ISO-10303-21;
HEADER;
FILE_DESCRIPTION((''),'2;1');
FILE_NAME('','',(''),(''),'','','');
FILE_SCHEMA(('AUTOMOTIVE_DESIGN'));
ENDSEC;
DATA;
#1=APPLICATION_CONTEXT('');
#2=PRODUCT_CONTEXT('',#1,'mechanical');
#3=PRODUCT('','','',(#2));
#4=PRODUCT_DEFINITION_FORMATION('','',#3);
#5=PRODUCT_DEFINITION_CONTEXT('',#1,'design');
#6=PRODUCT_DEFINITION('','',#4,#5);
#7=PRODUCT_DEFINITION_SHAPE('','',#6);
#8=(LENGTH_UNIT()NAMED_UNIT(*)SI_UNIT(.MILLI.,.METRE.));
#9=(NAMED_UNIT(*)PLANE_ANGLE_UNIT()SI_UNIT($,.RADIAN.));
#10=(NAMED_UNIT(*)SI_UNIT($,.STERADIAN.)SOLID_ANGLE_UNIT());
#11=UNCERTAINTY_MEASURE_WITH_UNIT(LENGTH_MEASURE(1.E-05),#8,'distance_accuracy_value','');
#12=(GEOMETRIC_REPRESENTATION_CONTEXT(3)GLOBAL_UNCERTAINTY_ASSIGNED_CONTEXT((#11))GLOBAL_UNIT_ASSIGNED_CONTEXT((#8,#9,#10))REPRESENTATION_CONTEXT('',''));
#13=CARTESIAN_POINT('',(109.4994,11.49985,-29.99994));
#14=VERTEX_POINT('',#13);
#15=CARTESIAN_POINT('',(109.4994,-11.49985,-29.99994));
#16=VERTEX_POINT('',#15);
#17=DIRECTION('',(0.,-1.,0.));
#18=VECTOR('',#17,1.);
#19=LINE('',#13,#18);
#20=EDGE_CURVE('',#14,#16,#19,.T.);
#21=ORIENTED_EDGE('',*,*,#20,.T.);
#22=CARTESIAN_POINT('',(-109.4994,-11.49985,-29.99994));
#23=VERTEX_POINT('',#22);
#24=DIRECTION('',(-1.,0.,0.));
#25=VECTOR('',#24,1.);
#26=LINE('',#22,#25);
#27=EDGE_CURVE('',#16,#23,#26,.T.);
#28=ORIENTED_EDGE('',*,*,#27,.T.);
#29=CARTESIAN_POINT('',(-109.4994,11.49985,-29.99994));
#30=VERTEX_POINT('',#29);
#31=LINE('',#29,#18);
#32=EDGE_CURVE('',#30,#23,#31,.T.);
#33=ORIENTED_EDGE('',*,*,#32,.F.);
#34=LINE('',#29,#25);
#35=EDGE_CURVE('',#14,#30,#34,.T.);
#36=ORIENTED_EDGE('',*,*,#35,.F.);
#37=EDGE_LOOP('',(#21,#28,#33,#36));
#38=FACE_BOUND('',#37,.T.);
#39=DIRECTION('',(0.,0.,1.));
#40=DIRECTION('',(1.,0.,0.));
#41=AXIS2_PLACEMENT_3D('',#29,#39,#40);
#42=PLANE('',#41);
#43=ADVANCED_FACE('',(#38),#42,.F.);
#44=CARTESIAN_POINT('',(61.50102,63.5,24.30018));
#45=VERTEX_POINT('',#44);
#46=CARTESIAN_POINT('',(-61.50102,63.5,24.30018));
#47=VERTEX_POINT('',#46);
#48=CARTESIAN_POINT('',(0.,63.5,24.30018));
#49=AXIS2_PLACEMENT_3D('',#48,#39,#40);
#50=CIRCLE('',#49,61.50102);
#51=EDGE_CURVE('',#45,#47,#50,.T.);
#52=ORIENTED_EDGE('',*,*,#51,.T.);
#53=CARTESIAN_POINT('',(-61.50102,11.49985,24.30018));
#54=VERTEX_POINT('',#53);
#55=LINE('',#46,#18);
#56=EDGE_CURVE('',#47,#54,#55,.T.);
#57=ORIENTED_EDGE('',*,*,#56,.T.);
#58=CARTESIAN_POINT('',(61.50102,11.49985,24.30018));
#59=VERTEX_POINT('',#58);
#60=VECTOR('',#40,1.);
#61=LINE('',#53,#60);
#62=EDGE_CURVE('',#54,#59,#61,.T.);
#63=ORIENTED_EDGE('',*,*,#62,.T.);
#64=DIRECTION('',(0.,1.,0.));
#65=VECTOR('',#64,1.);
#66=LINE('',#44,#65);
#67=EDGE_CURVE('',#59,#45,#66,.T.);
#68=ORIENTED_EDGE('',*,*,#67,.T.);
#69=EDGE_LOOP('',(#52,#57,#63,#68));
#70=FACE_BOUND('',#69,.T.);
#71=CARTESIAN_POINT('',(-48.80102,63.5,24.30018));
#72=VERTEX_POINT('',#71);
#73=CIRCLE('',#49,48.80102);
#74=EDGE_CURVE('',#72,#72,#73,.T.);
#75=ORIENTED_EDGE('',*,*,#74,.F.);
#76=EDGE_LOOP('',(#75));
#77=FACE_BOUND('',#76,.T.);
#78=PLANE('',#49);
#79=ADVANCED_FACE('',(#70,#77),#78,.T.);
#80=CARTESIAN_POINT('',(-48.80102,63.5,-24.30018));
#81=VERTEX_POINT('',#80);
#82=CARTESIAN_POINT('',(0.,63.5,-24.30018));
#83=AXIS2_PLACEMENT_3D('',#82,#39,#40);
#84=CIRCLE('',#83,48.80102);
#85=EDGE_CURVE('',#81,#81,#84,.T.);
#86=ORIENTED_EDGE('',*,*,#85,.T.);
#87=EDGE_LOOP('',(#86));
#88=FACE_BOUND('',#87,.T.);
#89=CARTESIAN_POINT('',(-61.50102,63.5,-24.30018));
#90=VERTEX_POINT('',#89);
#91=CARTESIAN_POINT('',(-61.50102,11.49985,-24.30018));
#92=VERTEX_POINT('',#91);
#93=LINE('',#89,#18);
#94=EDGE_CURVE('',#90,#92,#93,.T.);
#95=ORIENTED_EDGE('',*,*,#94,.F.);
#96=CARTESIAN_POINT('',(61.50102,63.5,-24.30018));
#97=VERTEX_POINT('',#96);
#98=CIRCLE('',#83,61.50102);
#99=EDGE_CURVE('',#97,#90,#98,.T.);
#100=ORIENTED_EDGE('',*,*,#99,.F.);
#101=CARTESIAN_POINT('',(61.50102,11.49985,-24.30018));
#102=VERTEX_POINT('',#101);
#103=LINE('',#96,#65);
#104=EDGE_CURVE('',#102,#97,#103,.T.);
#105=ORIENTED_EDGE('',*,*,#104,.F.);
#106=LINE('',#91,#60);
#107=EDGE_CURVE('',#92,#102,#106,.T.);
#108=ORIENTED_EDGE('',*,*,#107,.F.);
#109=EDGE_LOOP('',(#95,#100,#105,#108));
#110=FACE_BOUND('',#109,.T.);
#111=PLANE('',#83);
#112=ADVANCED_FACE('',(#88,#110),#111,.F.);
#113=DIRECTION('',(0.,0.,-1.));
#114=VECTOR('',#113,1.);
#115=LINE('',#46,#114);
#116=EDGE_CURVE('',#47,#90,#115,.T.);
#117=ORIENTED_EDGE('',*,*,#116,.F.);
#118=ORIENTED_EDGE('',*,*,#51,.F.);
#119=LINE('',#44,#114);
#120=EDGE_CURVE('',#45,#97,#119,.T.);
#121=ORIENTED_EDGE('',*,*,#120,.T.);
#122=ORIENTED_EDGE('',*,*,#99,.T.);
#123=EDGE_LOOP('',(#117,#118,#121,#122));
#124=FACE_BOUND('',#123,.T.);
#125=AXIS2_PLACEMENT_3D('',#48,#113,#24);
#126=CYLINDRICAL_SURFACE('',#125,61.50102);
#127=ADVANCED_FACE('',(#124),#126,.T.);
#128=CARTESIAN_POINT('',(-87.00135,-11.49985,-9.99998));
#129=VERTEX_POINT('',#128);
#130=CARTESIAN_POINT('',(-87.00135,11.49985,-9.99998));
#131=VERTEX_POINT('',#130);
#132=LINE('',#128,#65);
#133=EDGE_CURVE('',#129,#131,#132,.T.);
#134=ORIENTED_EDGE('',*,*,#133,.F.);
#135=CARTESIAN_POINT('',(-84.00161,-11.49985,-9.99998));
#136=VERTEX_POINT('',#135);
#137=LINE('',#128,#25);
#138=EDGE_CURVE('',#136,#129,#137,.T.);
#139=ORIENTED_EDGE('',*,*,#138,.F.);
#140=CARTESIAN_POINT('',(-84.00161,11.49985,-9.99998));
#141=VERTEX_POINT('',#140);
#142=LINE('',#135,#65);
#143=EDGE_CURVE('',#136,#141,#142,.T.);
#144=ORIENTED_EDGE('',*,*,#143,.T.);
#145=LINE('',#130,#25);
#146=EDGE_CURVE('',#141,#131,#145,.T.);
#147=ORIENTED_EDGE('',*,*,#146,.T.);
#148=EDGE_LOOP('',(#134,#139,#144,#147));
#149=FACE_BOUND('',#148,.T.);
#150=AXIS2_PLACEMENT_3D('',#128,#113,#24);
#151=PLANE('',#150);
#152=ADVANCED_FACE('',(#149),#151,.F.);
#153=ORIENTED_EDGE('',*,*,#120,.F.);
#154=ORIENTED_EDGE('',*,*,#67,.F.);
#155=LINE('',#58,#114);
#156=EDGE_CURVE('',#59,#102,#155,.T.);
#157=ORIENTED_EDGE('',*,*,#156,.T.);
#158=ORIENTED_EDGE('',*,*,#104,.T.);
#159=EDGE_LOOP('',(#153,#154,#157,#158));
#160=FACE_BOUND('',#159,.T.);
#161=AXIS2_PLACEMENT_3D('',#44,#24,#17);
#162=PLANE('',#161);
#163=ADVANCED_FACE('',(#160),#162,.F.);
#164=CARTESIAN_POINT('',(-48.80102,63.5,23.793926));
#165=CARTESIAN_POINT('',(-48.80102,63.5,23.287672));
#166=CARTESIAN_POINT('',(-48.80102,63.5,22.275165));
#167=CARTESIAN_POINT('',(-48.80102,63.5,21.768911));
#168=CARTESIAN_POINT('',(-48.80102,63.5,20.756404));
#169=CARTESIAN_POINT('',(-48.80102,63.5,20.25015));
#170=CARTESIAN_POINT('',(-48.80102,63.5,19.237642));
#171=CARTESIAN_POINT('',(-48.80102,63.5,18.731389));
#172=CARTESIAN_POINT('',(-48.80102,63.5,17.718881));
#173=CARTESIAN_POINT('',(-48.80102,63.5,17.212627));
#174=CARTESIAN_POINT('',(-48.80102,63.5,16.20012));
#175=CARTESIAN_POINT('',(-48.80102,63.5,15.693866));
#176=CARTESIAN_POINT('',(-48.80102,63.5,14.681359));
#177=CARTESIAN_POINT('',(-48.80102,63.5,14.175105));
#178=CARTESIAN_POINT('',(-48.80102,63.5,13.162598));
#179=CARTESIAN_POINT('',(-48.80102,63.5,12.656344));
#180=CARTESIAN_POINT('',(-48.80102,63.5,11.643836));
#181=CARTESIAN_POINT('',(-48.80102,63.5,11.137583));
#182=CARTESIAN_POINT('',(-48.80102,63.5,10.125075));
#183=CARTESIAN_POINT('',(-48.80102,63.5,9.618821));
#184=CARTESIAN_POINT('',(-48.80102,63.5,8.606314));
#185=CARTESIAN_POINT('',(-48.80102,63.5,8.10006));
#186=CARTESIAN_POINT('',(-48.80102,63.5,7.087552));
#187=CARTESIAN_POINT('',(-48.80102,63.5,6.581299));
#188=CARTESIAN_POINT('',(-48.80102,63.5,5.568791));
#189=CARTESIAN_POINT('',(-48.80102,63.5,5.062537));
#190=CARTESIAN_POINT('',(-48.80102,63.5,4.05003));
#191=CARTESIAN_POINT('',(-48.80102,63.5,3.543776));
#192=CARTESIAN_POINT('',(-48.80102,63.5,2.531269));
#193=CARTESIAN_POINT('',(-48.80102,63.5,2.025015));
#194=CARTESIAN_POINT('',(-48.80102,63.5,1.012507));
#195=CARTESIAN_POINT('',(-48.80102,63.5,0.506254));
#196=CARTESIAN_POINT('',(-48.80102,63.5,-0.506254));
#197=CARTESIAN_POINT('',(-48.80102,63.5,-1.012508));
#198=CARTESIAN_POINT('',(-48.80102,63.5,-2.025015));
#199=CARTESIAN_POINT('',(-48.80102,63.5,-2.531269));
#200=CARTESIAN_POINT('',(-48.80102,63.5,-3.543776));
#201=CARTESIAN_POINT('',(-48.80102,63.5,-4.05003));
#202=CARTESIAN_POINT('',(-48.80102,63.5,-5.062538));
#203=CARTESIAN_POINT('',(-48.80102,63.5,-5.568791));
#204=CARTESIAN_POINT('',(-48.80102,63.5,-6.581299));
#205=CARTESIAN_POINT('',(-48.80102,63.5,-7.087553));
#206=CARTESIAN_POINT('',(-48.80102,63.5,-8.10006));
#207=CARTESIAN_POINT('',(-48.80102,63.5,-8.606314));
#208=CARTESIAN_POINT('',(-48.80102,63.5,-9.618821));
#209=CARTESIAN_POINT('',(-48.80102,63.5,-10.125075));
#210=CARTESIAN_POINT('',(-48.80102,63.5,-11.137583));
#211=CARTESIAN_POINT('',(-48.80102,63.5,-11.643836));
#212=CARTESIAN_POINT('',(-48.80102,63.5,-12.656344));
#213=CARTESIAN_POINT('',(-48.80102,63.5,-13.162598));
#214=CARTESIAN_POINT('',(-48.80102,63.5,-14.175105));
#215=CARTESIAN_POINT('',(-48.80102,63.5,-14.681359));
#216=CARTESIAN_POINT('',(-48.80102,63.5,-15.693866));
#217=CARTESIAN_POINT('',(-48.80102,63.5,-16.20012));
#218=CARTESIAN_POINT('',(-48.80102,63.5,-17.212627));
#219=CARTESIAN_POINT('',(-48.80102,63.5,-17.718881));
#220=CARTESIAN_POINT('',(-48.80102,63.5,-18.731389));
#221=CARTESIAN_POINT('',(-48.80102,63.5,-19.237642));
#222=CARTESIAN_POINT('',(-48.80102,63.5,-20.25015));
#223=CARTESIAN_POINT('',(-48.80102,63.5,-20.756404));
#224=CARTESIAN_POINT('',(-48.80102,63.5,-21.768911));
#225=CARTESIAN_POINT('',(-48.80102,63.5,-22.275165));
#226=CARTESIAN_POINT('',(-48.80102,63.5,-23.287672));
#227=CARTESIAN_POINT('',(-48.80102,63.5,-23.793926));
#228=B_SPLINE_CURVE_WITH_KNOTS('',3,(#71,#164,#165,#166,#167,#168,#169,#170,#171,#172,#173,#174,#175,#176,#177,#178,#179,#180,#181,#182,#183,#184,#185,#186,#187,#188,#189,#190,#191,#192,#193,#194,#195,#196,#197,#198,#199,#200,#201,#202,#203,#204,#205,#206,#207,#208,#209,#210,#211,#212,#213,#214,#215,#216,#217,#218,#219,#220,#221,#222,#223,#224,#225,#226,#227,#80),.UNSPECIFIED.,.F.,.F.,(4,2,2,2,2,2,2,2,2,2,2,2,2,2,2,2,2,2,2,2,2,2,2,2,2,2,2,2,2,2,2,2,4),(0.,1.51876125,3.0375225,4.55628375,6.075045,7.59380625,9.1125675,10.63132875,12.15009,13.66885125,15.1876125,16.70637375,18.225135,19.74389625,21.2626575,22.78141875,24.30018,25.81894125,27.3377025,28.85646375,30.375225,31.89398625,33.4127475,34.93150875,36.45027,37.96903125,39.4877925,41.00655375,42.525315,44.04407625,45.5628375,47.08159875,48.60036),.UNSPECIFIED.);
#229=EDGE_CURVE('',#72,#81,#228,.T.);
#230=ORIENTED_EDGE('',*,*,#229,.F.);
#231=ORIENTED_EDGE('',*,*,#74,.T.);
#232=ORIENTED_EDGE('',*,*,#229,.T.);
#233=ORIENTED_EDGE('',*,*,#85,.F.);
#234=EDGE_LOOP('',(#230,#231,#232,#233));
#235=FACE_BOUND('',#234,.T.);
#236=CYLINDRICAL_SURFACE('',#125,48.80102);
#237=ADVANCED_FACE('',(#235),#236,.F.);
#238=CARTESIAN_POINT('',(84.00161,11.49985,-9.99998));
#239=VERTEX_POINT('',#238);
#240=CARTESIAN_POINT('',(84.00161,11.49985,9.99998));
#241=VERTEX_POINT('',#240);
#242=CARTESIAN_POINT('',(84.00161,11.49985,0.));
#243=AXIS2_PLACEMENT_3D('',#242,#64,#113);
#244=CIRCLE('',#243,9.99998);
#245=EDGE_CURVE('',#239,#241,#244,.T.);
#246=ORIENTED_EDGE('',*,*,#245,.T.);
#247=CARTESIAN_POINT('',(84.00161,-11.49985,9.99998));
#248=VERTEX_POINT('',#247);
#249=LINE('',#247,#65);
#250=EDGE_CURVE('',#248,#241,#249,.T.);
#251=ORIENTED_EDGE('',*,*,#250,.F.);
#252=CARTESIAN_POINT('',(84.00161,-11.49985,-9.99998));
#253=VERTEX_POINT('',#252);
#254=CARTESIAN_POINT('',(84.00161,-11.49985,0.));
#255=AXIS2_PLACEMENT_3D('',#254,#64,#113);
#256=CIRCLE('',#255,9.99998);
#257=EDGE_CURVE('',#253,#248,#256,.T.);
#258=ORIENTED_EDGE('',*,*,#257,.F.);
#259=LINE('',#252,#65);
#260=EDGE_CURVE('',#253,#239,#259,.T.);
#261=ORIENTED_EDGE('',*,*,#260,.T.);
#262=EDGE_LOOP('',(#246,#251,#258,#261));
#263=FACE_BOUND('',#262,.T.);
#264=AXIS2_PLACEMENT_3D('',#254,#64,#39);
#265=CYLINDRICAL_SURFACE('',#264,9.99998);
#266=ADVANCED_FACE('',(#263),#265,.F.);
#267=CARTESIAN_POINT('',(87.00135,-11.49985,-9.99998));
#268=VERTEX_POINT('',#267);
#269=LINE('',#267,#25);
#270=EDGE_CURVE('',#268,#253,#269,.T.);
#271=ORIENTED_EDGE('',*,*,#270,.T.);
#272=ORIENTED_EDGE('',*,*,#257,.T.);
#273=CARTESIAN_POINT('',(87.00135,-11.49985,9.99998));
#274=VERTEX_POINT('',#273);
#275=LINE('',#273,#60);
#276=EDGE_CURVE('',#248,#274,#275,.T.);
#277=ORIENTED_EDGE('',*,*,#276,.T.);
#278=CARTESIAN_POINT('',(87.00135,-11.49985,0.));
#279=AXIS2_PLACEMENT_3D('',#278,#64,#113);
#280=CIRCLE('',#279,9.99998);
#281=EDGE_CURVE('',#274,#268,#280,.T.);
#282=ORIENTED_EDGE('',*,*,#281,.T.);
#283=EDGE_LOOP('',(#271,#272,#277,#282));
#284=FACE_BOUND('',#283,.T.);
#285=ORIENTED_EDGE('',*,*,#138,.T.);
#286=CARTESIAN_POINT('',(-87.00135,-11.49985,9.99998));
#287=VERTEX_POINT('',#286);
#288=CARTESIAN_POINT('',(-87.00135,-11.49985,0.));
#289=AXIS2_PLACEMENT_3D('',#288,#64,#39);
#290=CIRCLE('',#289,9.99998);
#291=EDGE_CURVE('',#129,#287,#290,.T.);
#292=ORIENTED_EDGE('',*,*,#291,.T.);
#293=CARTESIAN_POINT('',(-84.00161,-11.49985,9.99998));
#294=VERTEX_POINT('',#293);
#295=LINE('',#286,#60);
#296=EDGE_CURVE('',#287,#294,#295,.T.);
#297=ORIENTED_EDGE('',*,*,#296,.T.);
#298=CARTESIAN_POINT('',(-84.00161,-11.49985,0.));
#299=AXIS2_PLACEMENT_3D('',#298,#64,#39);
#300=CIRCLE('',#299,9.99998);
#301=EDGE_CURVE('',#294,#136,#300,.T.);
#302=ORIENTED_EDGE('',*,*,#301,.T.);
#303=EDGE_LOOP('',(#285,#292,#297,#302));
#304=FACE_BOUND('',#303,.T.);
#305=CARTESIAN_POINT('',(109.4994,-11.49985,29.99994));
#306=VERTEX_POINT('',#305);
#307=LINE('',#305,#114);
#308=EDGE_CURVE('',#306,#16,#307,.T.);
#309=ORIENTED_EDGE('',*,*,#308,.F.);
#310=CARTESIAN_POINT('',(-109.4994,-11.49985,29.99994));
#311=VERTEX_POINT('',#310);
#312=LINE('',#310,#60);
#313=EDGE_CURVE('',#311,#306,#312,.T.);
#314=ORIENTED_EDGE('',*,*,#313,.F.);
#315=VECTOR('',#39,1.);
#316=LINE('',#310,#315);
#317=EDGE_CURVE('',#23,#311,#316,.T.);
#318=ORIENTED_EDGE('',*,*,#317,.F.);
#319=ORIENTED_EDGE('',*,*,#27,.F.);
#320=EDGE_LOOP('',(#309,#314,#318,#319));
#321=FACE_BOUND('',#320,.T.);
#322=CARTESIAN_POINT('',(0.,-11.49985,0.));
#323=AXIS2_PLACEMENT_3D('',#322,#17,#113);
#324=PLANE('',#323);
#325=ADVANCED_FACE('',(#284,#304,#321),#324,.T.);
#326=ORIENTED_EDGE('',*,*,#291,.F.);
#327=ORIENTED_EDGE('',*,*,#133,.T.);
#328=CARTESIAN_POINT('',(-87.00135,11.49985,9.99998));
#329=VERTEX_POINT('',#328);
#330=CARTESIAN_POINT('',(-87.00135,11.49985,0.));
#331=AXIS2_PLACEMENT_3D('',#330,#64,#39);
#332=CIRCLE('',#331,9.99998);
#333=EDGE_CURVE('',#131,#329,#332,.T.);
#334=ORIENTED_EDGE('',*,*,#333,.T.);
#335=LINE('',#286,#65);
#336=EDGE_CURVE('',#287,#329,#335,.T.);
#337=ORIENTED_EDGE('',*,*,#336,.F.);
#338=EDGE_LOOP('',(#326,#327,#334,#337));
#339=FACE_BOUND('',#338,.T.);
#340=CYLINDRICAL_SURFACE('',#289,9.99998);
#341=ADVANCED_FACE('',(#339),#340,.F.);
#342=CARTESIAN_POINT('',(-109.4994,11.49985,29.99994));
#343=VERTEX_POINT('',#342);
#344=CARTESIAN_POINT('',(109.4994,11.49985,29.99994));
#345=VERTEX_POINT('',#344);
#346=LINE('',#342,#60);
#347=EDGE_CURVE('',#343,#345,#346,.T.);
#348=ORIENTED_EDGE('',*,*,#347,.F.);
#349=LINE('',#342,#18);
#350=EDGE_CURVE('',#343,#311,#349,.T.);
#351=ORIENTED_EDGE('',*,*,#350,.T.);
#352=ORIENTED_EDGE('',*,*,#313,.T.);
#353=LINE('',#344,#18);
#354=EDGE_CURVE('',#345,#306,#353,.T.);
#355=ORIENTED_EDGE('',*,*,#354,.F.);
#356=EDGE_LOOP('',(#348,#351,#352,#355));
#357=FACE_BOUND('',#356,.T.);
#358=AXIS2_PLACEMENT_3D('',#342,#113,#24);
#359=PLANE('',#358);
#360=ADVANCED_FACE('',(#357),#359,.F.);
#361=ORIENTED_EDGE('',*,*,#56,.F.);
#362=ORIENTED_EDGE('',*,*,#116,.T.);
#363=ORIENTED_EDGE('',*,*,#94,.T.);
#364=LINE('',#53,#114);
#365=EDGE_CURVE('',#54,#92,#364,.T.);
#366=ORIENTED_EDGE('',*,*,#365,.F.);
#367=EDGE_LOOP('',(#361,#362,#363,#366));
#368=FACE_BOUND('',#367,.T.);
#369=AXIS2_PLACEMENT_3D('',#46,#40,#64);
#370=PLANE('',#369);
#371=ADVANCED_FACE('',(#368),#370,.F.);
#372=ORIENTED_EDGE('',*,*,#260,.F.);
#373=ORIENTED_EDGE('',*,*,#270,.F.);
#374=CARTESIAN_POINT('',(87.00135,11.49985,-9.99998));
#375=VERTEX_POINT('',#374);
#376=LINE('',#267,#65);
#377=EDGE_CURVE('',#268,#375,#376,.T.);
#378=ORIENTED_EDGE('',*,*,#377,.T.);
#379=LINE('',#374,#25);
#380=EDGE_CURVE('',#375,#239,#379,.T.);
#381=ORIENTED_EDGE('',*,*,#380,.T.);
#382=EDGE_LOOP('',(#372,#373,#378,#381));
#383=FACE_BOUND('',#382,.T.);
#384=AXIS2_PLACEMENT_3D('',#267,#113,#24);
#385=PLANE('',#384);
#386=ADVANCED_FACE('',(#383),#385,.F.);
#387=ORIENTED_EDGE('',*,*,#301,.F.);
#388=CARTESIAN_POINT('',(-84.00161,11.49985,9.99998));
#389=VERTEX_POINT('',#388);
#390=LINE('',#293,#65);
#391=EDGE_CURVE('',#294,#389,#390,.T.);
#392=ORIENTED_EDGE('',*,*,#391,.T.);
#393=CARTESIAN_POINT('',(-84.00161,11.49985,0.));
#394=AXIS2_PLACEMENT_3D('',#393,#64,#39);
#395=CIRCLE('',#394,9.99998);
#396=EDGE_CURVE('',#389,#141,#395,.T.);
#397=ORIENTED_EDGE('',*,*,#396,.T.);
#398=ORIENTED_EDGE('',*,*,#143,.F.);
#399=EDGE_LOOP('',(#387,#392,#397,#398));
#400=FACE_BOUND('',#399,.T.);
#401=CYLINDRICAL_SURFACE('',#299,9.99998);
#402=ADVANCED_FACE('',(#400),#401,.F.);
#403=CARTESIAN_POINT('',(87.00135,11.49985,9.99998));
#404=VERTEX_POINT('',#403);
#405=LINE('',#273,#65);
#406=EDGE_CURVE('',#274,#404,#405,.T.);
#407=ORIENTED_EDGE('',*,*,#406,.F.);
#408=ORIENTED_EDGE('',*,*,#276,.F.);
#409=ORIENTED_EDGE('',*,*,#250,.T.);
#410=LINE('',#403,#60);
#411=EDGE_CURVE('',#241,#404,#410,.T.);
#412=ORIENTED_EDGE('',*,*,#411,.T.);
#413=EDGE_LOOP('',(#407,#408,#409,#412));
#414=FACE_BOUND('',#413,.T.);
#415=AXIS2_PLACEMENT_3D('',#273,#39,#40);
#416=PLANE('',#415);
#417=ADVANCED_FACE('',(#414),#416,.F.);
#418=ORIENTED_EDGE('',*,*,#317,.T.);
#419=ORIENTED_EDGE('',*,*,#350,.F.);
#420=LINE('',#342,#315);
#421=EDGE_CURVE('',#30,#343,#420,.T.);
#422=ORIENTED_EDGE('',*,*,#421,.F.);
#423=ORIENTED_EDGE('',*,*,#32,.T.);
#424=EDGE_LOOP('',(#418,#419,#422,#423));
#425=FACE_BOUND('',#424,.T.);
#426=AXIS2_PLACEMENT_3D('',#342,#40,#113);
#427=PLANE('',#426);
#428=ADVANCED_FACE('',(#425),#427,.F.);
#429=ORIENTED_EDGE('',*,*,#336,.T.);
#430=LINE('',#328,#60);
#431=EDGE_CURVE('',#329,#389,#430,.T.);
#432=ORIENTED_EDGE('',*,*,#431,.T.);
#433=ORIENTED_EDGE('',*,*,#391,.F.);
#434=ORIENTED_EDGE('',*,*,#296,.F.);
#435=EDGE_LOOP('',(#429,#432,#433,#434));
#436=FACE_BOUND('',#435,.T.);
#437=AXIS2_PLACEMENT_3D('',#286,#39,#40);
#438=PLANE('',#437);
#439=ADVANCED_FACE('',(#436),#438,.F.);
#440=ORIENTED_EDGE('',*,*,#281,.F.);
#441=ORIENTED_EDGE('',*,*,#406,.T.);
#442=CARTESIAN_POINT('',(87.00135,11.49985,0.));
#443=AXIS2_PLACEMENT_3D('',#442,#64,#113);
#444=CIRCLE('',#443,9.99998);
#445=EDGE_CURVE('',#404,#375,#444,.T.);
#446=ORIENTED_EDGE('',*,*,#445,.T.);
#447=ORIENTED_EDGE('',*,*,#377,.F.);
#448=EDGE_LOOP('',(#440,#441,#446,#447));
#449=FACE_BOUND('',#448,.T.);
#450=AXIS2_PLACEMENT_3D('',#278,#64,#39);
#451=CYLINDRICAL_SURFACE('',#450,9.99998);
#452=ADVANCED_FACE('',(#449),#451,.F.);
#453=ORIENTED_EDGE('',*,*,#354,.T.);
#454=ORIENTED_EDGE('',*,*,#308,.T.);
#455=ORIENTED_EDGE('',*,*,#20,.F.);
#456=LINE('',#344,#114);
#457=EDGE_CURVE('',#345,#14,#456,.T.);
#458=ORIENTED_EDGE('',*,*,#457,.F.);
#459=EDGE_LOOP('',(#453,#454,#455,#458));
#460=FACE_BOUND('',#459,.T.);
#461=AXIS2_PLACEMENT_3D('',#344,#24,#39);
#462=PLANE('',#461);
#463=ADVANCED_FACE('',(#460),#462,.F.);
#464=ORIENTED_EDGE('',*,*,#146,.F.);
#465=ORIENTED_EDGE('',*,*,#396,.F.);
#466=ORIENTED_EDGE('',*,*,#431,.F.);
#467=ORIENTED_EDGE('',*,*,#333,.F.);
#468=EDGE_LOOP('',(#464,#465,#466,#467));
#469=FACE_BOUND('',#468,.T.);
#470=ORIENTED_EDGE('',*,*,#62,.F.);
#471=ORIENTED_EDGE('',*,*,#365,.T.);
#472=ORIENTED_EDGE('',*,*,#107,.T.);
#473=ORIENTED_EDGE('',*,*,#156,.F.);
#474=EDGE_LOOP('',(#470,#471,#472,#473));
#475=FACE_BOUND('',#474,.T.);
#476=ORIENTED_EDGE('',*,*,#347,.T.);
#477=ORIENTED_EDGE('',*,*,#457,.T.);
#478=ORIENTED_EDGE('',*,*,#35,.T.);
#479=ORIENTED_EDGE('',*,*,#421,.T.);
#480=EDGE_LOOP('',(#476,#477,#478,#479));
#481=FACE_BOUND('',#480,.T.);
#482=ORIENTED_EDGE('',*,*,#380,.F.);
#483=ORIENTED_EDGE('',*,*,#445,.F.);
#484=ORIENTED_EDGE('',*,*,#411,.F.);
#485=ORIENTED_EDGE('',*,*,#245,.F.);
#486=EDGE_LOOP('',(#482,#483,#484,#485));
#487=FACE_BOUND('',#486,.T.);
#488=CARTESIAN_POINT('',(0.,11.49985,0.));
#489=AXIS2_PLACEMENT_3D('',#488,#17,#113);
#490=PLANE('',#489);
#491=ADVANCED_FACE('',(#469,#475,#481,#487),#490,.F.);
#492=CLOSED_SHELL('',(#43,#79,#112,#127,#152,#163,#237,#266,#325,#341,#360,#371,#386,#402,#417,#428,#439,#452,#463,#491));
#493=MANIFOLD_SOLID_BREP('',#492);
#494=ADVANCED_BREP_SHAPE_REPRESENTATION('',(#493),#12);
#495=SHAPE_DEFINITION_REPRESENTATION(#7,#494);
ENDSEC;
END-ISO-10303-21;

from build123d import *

# Parameters (mm, degrees)
SKETCH1_W           = 218.9988
SKETCH1_H           = 59.99988
BOSS_EXTRUDE1_DEPTH = 11.49985
CUT_EXTRUDE1_DEPTH  = 22.9997
SKETCH3_R           = 48.80102
BOSS_EXTRUDE2_DEPTH = 24.30018


with BuildPart() as part:
    # Sketch1 → Boss-Extrude1 (new, symmetric)
    with BuildSketch(Plane(origin=(0, 0, 0), x_dir=(1, 0, 0), z_dir=(0, 1, 0))):
        Rectangle(SKETCH1_W, SKETCH1_H)
    extrude(amount=BOSS_EXTRUDE1_DEPTH, both=True)

    # Sketch2 → Cut-Extrude1 (cut)
    with BuildSketch(Plane(origin=(0, 11.49985, 0), x_dir=(1, 0, 0), z_dir=(0, 1, 0))):
        with BuildLine():
            Line((-87.00135, 9.99998), (-84.00161, 9.99998))
            ThreePointArc((-84.00161, 9.99998), (-74.00163, 0), (-84.00161, -9.99998))
            Line((-84.00161, -9.99998), (-87.00135, -9.99998))
            ThreePointArc((-87.00135, -9.99998), (-97.00133, 0), (-87.00135, 9.99998))
        make_face()
        with BuildLine():
            Line((87.00135, 9.99998), (84.00161, 9.99998))
            ThreePointArc((84.00161, 9.99998), (74.00163, 0), (84.00161, -9.99998))
            Line((84.00161, -9.99998), (87.00135, -9.99998))
            ThreePointArc((87.00135, -9.99998), (97.00133, 0), (87.00135, 9.99998))
        make_face()
    extrude(amount=-CUT_EXTRUDE1_DEPTH, mode=Mode.SUBTRACT)

    # Sketch3 → Boss-Extrude2 (add, symmetric)
    with BuildSketch(Plane.XY):
        with BuildLine():
            Line((-61.50102, 63.5), (-61.50102, 11.49985))
            Line((-61.50102, 11.49985), (61.50102, 11.49985))
            Line((61.50102, 11.49985), (61.50102, 63.5))
            ThreePointArc((61.50102, 63.5), (0, 125.00102), (-61.50102, 63.5))
        make_face()
        with Locations(Location((0, 63.5, 0), (0, 0, 180))):
            Circle(SKETCH3_R, mode=Mode.SUBTRACT)
    extrude(amount=BOSS_EXTRUDE2_DEPTH, both=True)


solid = part.part
